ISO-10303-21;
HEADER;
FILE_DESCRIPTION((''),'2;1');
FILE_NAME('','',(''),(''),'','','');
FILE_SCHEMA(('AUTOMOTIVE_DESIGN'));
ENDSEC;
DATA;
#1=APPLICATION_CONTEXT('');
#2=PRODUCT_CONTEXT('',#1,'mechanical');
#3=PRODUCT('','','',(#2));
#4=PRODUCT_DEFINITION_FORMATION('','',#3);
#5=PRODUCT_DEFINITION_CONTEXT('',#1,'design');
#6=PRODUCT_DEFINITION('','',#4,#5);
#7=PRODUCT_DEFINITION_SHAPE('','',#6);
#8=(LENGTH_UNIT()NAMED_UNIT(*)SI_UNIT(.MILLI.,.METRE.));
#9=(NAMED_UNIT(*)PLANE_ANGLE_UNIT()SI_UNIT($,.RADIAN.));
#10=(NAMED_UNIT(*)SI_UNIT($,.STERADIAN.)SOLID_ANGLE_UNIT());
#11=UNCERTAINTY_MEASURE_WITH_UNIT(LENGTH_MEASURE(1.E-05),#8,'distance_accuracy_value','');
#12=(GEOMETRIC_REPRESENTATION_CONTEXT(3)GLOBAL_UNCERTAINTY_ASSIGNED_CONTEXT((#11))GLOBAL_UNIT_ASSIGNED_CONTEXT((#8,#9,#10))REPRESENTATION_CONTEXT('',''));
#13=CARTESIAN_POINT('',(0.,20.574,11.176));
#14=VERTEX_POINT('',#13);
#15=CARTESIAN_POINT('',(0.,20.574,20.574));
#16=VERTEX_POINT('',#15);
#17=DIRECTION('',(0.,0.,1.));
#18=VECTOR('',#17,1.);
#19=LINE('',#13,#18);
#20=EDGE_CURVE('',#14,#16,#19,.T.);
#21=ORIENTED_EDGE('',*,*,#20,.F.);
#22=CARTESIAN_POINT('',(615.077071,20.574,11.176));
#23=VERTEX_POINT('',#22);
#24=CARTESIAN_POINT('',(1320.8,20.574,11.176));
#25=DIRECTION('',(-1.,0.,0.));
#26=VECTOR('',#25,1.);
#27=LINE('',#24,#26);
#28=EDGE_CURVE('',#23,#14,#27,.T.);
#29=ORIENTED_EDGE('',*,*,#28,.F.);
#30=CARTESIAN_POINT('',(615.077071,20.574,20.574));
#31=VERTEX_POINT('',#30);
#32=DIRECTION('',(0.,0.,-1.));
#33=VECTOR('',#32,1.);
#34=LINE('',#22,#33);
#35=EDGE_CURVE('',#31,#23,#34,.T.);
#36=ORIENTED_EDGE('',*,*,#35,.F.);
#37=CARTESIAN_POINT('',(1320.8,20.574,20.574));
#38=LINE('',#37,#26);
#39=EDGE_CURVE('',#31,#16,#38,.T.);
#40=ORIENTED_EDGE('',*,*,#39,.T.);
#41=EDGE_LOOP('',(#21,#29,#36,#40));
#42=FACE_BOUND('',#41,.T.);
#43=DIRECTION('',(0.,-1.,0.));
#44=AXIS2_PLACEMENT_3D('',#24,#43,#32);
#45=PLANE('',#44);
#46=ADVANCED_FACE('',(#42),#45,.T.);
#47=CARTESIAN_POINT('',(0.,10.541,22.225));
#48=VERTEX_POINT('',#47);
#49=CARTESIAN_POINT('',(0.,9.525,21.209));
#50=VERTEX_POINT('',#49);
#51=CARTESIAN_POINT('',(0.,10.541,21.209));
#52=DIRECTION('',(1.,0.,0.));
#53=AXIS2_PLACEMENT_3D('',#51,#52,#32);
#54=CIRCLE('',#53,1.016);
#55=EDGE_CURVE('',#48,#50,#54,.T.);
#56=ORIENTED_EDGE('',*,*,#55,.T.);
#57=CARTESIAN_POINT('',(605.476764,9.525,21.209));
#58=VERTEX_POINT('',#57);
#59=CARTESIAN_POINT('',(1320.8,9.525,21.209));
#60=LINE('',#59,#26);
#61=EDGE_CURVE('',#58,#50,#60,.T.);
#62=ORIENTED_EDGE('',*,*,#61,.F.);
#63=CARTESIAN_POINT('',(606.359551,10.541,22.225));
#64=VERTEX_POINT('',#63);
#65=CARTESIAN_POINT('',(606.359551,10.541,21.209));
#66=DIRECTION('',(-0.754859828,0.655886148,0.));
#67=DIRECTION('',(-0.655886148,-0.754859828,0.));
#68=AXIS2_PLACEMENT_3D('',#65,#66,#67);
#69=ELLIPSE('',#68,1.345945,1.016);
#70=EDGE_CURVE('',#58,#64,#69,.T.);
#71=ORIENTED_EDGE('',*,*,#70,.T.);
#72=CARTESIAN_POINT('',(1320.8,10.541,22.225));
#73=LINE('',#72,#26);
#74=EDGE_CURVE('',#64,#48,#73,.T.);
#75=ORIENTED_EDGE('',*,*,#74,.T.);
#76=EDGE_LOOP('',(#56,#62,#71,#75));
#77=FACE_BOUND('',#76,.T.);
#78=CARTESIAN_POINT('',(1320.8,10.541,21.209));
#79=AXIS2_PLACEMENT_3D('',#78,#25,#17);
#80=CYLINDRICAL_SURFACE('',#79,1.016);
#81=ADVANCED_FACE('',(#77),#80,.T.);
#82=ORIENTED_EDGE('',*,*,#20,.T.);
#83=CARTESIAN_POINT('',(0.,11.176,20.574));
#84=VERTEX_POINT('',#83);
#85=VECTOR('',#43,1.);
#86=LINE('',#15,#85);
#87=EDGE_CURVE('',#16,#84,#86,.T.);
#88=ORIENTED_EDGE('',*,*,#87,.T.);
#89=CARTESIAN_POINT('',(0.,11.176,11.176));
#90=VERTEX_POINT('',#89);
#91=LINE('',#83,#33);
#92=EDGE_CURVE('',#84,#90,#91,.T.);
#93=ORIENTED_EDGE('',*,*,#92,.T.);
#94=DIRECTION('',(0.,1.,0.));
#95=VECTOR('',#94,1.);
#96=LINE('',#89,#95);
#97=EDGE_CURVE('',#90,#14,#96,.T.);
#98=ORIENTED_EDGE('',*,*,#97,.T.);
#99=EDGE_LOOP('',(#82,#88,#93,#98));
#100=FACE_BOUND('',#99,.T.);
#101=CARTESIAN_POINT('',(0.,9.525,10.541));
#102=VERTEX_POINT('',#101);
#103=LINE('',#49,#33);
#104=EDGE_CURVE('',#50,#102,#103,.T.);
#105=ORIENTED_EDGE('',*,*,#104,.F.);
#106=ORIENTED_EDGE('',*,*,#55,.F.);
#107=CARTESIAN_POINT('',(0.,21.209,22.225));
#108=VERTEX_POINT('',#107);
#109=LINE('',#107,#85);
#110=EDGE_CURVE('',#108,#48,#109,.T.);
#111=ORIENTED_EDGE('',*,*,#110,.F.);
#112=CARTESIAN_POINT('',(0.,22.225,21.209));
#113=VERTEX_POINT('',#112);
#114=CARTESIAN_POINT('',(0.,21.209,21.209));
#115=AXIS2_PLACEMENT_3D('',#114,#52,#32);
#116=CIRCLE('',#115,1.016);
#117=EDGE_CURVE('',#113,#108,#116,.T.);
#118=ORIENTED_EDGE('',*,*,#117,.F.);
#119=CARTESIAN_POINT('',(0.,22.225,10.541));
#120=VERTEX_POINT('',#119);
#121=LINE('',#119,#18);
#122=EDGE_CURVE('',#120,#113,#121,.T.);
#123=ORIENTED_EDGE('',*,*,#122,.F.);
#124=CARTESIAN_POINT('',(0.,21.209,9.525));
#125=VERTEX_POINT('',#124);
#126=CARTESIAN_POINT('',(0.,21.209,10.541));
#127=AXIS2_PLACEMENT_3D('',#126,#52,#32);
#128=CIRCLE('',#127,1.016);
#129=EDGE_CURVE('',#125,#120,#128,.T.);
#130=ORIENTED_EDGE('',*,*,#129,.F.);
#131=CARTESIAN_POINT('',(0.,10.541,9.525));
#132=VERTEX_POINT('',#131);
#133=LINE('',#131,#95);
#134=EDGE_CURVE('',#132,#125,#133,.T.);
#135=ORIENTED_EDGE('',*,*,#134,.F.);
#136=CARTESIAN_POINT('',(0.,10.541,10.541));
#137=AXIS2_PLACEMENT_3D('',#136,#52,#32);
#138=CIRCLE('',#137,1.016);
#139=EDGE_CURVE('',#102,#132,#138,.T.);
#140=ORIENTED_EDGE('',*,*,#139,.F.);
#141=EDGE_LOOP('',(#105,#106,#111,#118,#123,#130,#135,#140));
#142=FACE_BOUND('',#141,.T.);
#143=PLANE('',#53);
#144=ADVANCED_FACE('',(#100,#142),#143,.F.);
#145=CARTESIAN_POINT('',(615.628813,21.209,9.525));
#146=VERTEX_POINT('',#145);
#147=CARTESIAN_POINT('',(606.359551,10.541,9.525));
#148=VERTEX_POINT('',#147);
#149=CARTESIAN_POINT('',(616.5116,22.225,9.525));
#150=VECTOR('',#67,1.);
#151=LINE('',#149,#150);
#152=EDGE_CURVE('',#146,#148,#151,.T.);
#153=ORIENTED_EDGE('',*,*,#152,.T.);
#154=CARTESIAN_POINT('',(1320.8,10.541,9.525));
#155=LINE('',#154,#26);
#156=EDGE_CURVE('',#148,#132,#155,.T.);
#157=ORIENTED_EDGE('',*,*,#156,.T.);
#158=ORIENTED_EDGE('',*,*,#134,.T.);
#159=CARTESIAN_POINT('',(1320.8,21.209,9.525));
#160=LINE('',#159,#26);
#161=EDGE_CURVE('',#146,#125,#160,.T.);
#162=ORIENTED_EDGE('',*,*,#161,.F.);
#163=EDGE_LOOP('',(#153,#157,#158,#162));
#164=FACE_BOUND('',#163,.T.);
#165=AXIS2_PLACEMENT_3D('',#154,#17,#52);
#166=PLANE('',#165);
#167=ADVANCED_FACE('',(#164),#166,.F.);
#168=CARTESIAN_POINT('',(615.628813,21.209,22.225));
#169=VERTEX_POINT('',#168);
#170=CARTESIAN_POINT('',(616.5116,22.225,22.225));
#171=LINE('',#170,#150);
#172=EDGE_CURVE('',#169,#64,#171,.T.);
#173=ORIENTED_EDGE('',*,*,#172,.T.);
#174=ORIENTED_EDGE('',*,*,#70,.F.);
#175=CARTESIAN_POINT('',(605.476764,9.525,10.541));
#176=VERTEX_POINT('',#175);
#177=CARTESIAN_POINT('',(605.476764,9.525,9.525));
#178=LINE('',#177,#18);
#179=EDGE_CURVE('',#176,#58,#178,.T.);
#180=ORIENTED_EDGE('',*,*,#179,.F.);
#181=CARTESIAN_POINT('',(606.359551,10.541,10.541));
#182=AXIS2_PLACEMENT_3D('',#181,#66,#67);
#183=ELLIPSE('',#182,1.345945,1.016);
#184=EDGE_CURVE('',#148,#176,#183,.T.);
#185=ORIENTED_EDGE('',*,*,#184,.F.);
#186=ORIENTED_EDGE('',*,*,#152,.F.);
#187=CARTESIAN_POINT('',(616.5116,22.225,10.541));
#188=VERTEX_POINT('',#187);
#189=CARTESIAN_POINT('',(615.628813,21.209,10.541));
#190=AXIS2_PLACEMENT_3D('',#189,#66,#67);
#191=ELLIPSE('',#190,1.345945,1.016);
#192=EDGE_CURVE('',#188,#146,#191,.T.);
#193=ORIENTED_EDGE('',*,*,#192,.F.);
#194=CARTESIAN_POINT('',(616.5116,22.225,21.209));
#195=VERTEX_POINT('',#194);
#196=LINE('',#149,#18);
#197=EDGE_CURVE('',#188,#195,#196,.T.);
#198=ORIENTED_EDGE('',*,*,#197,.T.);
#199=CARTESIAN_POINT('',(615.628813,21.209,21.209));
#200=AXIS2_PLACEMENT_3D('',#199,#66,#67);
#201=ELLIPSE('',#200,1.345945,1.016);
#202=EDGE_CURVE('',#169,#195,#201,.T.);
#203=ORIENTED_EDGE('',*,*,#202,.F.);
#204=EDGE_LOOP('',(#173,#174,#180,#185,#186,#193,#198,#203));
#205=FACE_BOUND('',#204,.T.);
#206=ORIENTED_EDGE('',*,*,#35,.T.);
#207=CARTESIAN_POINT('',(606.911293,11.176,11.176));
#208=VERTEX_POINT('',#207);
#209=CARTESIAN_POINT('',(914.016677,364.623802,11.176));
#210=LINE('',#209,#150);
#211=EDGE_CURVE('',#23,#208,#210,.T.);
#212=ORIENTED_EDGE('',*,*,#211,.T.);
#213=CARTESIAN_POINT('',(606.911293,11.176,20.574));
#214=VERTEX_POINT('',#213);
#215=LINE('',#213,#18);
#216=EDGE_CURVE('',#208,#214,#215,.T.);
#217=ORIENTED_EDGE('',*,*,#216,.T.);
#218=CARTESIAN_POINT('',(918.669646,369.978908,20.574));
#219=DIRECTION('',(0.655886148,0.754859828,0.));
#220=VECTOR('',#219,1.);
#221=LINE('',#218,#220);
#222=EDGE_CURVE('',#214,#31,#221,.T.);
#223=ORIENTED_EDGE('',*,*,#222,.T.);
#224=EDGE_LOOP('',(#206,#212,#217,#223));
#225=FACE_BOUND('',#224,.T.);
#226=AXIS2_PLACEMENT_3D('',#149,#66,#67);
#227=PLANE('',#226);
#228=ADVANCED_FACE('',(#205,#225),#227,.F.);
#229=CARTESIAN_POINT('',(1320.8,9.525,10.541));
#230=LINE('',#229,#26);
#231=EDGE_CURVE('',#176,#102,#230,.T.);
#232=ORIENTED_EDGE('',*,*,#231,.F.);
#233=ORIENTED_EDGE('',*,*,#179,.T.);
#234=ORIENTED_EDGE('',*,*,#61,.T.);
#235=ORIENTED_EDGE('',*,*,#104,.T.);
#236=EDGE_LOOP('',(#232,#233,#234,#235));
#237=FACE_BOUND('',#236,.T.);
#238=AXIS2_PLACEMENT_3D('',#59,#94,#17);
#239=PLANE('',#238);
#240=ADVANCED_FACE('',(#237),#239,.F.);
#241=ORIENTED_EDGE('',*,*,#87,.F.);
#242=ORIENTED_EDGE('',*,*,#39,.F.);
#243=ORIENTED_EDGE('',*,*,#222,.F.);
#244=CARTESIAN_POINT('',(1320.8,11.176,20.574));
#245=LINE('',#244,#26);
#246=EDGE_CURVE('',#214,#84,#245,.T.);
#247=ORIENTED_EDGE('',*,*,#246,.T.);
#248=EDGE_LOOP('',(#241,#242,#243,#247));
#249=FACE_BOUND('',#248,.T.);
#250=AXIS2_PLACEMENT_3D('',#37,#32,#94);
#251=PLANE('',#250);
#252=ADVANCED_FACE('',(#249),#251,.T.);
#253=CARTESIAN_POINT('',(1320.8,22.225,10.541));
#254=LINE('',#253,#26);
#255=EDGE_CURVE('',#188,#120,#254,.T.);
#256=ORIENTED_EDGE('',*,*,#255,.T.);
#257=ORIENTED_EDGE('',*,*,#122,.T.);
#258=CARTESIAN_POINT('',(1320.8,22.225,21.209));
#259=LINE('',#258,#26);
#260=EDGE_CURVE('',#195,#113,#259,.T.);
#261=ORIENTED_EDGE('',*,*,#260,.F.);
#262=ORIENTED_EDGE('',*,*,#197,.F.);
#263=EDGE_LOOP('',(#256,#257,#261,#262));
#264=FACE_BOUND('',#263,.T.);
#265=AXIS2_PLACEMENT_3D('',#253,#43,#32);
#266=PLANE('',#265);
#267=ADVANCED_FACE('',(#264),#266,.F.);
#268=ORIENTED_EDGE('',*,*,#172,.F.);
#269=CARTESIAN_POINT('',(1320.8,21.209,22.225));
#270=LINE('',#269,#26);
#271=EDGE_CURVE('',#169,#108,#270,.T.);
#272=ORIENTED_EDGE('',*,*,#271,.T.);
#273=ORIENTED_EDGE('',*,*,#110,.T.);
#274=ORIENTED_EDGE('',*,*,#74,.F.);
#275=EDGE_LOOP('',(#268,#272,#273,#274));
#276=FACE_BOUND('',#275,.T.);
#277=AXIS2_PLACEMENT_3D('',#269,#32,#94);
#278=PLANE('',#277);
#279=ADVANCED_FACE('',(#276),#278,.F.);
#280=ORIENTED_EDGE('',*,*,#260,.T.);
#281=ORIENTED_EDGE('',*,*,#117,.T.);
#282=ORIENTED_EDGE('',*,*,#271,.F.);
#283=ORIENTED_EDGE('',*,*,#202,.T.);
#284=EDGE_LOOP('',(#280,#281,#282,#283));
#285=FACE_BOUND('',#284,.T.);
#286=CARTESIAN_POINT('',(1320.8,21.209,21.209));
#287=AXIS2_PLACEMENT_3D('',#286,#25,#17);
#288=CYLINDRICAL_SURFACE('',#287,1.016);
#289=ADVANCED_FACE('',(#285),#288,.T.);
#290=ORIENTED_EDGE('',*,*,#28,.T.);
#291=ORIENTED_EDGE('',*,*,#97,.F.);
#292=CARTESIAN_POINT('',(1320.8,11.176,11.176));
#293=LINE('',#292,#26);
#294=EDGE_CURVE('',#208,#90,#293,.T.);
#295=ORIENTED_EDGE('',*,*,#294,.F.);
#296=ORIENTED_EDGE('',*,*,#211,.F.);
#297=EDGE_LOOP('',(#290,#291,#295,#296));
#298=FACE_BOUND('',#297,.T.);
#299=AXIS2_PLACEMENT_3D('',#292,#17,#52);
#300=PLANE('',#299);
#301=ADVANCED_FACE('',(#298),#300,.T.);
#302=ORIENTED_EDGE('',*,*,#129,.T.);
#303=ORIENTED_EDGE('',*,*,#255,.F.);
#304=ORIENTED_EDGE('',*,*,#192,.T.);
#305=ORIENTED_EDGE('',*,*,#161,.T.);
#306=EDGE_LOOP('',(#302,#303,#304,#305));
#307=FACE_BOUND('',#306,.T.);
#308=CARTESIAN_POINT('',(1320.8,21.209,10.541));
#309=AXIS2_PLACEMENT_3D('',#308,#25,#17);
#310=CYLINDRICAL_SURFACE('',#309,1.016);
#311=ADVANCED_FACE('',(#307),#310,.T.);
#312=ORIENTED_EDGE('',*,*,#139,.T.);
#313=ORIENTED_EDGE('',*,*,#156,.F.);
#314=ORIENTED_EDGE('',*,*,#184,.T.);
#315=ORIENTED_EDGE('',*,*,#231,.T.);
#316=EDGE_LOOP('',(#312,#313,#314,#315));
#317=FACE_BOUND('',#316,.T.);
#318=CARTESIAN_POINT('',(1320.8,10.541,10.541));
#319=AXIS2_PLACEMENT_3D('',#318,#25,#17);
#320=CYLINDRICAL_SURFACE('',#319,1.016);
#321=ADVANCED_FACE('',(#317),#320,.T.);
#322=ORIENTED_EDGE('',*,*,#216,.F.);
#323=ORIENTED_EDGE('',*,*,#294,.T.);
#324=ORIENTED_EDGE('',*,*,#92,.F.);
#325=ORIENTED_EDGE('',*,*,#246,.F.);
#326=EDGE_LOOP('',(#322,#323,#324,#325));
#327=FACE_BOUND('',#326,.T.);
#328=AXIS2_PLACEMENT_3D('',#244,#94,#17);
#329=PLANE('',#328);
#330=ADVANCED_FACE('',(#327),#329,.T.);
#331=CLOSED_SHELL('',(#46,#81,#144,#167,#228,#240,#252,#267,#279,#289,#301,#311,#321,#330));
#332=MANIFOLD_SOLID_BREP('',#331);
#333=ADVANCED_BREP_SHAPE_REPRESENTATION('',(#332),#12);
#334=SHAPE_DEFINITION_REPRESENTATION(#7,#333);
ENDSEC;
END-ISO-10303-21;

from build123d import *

# Parameters (mm, degrees)
SKETCH1_W           = 23.495
SKETCH1_H           = 23.495
BOSS_EXTRUDE1_DEPTH = 1320.8
SCALE4_SCALE_X      = 1
SCALE4_SCALE_Y      = 0.4
SCALE4_SCALE_Z      = 0.4
CUT_EXTRUDE2_DEPTH  = 1322.04802369


with BuildPart() as part:
    # Sketch1 → Boss-Extrude1 (new body)
    with BuildSketch(Plane(origin=(0, 0, 0), x_dir=(0, 0, -1), z_dir=(1, 0, 0))):
        with BuildLine():
            Line((0, 2.54), (0, 29.21))
            ThreePointArc((0, 29.21), (-0.743948776, 31.006051224), (-2.54, 31.75))
            Line((-2.54, 31.75), (-29.21, 31.75))
            ThreePointArc((-29.21, 31.75), (-31.006051224, 31.006051224), (-31.75, 29.21))
            Line((-31.75, 29.21), (-31.75, 2.54))
            ThreePointArc((-31.75, 2.54), (-31.006051224, 0.743948776), (-29.21, 0))
            Line((-29.21, 0), (-2.54, 0))
            ThreePointArc((-2.54, 0), (-0.743948776, 0.743948776), (0, 2.54))
        make_face()
        with Locations((-15.875, 15.875)):
            Rectangle(SKETCH1_W, SKETCH1_H, mode=Mode.SUBTRACT)
    extrude(amount=BOSS_EXTRUDE1_DEPTH)


with BuildPart() as part_1:
    # Scale4: scaled about (660.4, 15.875, 15.875)
    add(part.part.scale((SCALE4_SCALE_X, SCALE4_SCALE_Y, SCALE4_SCALE_Z), about=(660.4, 15.875, 15.875)))

    # Sketch8 → Cut-Extrude2 (cut, through all)
    with BuildSketch(Plane.XY.offset(22.225)):
        Polygon((616.511599643, 22.225), (605.47676407, 9.525), (644.192147645, 9.525), (655.226983218, 22.225), align=None)
    extrude(amount=-CUT_EXTRUDE2_DEPTH, mode=Mode.SUBTRACT)


with BuildPart() as body_2:
    # of the pieces the cut leaves, the one that is kept (cut_extrude2_keep)
    add(part_1.part.solids().sort_by_distance((0, 10.541, 9.525))[0])


solid = body_2.part
